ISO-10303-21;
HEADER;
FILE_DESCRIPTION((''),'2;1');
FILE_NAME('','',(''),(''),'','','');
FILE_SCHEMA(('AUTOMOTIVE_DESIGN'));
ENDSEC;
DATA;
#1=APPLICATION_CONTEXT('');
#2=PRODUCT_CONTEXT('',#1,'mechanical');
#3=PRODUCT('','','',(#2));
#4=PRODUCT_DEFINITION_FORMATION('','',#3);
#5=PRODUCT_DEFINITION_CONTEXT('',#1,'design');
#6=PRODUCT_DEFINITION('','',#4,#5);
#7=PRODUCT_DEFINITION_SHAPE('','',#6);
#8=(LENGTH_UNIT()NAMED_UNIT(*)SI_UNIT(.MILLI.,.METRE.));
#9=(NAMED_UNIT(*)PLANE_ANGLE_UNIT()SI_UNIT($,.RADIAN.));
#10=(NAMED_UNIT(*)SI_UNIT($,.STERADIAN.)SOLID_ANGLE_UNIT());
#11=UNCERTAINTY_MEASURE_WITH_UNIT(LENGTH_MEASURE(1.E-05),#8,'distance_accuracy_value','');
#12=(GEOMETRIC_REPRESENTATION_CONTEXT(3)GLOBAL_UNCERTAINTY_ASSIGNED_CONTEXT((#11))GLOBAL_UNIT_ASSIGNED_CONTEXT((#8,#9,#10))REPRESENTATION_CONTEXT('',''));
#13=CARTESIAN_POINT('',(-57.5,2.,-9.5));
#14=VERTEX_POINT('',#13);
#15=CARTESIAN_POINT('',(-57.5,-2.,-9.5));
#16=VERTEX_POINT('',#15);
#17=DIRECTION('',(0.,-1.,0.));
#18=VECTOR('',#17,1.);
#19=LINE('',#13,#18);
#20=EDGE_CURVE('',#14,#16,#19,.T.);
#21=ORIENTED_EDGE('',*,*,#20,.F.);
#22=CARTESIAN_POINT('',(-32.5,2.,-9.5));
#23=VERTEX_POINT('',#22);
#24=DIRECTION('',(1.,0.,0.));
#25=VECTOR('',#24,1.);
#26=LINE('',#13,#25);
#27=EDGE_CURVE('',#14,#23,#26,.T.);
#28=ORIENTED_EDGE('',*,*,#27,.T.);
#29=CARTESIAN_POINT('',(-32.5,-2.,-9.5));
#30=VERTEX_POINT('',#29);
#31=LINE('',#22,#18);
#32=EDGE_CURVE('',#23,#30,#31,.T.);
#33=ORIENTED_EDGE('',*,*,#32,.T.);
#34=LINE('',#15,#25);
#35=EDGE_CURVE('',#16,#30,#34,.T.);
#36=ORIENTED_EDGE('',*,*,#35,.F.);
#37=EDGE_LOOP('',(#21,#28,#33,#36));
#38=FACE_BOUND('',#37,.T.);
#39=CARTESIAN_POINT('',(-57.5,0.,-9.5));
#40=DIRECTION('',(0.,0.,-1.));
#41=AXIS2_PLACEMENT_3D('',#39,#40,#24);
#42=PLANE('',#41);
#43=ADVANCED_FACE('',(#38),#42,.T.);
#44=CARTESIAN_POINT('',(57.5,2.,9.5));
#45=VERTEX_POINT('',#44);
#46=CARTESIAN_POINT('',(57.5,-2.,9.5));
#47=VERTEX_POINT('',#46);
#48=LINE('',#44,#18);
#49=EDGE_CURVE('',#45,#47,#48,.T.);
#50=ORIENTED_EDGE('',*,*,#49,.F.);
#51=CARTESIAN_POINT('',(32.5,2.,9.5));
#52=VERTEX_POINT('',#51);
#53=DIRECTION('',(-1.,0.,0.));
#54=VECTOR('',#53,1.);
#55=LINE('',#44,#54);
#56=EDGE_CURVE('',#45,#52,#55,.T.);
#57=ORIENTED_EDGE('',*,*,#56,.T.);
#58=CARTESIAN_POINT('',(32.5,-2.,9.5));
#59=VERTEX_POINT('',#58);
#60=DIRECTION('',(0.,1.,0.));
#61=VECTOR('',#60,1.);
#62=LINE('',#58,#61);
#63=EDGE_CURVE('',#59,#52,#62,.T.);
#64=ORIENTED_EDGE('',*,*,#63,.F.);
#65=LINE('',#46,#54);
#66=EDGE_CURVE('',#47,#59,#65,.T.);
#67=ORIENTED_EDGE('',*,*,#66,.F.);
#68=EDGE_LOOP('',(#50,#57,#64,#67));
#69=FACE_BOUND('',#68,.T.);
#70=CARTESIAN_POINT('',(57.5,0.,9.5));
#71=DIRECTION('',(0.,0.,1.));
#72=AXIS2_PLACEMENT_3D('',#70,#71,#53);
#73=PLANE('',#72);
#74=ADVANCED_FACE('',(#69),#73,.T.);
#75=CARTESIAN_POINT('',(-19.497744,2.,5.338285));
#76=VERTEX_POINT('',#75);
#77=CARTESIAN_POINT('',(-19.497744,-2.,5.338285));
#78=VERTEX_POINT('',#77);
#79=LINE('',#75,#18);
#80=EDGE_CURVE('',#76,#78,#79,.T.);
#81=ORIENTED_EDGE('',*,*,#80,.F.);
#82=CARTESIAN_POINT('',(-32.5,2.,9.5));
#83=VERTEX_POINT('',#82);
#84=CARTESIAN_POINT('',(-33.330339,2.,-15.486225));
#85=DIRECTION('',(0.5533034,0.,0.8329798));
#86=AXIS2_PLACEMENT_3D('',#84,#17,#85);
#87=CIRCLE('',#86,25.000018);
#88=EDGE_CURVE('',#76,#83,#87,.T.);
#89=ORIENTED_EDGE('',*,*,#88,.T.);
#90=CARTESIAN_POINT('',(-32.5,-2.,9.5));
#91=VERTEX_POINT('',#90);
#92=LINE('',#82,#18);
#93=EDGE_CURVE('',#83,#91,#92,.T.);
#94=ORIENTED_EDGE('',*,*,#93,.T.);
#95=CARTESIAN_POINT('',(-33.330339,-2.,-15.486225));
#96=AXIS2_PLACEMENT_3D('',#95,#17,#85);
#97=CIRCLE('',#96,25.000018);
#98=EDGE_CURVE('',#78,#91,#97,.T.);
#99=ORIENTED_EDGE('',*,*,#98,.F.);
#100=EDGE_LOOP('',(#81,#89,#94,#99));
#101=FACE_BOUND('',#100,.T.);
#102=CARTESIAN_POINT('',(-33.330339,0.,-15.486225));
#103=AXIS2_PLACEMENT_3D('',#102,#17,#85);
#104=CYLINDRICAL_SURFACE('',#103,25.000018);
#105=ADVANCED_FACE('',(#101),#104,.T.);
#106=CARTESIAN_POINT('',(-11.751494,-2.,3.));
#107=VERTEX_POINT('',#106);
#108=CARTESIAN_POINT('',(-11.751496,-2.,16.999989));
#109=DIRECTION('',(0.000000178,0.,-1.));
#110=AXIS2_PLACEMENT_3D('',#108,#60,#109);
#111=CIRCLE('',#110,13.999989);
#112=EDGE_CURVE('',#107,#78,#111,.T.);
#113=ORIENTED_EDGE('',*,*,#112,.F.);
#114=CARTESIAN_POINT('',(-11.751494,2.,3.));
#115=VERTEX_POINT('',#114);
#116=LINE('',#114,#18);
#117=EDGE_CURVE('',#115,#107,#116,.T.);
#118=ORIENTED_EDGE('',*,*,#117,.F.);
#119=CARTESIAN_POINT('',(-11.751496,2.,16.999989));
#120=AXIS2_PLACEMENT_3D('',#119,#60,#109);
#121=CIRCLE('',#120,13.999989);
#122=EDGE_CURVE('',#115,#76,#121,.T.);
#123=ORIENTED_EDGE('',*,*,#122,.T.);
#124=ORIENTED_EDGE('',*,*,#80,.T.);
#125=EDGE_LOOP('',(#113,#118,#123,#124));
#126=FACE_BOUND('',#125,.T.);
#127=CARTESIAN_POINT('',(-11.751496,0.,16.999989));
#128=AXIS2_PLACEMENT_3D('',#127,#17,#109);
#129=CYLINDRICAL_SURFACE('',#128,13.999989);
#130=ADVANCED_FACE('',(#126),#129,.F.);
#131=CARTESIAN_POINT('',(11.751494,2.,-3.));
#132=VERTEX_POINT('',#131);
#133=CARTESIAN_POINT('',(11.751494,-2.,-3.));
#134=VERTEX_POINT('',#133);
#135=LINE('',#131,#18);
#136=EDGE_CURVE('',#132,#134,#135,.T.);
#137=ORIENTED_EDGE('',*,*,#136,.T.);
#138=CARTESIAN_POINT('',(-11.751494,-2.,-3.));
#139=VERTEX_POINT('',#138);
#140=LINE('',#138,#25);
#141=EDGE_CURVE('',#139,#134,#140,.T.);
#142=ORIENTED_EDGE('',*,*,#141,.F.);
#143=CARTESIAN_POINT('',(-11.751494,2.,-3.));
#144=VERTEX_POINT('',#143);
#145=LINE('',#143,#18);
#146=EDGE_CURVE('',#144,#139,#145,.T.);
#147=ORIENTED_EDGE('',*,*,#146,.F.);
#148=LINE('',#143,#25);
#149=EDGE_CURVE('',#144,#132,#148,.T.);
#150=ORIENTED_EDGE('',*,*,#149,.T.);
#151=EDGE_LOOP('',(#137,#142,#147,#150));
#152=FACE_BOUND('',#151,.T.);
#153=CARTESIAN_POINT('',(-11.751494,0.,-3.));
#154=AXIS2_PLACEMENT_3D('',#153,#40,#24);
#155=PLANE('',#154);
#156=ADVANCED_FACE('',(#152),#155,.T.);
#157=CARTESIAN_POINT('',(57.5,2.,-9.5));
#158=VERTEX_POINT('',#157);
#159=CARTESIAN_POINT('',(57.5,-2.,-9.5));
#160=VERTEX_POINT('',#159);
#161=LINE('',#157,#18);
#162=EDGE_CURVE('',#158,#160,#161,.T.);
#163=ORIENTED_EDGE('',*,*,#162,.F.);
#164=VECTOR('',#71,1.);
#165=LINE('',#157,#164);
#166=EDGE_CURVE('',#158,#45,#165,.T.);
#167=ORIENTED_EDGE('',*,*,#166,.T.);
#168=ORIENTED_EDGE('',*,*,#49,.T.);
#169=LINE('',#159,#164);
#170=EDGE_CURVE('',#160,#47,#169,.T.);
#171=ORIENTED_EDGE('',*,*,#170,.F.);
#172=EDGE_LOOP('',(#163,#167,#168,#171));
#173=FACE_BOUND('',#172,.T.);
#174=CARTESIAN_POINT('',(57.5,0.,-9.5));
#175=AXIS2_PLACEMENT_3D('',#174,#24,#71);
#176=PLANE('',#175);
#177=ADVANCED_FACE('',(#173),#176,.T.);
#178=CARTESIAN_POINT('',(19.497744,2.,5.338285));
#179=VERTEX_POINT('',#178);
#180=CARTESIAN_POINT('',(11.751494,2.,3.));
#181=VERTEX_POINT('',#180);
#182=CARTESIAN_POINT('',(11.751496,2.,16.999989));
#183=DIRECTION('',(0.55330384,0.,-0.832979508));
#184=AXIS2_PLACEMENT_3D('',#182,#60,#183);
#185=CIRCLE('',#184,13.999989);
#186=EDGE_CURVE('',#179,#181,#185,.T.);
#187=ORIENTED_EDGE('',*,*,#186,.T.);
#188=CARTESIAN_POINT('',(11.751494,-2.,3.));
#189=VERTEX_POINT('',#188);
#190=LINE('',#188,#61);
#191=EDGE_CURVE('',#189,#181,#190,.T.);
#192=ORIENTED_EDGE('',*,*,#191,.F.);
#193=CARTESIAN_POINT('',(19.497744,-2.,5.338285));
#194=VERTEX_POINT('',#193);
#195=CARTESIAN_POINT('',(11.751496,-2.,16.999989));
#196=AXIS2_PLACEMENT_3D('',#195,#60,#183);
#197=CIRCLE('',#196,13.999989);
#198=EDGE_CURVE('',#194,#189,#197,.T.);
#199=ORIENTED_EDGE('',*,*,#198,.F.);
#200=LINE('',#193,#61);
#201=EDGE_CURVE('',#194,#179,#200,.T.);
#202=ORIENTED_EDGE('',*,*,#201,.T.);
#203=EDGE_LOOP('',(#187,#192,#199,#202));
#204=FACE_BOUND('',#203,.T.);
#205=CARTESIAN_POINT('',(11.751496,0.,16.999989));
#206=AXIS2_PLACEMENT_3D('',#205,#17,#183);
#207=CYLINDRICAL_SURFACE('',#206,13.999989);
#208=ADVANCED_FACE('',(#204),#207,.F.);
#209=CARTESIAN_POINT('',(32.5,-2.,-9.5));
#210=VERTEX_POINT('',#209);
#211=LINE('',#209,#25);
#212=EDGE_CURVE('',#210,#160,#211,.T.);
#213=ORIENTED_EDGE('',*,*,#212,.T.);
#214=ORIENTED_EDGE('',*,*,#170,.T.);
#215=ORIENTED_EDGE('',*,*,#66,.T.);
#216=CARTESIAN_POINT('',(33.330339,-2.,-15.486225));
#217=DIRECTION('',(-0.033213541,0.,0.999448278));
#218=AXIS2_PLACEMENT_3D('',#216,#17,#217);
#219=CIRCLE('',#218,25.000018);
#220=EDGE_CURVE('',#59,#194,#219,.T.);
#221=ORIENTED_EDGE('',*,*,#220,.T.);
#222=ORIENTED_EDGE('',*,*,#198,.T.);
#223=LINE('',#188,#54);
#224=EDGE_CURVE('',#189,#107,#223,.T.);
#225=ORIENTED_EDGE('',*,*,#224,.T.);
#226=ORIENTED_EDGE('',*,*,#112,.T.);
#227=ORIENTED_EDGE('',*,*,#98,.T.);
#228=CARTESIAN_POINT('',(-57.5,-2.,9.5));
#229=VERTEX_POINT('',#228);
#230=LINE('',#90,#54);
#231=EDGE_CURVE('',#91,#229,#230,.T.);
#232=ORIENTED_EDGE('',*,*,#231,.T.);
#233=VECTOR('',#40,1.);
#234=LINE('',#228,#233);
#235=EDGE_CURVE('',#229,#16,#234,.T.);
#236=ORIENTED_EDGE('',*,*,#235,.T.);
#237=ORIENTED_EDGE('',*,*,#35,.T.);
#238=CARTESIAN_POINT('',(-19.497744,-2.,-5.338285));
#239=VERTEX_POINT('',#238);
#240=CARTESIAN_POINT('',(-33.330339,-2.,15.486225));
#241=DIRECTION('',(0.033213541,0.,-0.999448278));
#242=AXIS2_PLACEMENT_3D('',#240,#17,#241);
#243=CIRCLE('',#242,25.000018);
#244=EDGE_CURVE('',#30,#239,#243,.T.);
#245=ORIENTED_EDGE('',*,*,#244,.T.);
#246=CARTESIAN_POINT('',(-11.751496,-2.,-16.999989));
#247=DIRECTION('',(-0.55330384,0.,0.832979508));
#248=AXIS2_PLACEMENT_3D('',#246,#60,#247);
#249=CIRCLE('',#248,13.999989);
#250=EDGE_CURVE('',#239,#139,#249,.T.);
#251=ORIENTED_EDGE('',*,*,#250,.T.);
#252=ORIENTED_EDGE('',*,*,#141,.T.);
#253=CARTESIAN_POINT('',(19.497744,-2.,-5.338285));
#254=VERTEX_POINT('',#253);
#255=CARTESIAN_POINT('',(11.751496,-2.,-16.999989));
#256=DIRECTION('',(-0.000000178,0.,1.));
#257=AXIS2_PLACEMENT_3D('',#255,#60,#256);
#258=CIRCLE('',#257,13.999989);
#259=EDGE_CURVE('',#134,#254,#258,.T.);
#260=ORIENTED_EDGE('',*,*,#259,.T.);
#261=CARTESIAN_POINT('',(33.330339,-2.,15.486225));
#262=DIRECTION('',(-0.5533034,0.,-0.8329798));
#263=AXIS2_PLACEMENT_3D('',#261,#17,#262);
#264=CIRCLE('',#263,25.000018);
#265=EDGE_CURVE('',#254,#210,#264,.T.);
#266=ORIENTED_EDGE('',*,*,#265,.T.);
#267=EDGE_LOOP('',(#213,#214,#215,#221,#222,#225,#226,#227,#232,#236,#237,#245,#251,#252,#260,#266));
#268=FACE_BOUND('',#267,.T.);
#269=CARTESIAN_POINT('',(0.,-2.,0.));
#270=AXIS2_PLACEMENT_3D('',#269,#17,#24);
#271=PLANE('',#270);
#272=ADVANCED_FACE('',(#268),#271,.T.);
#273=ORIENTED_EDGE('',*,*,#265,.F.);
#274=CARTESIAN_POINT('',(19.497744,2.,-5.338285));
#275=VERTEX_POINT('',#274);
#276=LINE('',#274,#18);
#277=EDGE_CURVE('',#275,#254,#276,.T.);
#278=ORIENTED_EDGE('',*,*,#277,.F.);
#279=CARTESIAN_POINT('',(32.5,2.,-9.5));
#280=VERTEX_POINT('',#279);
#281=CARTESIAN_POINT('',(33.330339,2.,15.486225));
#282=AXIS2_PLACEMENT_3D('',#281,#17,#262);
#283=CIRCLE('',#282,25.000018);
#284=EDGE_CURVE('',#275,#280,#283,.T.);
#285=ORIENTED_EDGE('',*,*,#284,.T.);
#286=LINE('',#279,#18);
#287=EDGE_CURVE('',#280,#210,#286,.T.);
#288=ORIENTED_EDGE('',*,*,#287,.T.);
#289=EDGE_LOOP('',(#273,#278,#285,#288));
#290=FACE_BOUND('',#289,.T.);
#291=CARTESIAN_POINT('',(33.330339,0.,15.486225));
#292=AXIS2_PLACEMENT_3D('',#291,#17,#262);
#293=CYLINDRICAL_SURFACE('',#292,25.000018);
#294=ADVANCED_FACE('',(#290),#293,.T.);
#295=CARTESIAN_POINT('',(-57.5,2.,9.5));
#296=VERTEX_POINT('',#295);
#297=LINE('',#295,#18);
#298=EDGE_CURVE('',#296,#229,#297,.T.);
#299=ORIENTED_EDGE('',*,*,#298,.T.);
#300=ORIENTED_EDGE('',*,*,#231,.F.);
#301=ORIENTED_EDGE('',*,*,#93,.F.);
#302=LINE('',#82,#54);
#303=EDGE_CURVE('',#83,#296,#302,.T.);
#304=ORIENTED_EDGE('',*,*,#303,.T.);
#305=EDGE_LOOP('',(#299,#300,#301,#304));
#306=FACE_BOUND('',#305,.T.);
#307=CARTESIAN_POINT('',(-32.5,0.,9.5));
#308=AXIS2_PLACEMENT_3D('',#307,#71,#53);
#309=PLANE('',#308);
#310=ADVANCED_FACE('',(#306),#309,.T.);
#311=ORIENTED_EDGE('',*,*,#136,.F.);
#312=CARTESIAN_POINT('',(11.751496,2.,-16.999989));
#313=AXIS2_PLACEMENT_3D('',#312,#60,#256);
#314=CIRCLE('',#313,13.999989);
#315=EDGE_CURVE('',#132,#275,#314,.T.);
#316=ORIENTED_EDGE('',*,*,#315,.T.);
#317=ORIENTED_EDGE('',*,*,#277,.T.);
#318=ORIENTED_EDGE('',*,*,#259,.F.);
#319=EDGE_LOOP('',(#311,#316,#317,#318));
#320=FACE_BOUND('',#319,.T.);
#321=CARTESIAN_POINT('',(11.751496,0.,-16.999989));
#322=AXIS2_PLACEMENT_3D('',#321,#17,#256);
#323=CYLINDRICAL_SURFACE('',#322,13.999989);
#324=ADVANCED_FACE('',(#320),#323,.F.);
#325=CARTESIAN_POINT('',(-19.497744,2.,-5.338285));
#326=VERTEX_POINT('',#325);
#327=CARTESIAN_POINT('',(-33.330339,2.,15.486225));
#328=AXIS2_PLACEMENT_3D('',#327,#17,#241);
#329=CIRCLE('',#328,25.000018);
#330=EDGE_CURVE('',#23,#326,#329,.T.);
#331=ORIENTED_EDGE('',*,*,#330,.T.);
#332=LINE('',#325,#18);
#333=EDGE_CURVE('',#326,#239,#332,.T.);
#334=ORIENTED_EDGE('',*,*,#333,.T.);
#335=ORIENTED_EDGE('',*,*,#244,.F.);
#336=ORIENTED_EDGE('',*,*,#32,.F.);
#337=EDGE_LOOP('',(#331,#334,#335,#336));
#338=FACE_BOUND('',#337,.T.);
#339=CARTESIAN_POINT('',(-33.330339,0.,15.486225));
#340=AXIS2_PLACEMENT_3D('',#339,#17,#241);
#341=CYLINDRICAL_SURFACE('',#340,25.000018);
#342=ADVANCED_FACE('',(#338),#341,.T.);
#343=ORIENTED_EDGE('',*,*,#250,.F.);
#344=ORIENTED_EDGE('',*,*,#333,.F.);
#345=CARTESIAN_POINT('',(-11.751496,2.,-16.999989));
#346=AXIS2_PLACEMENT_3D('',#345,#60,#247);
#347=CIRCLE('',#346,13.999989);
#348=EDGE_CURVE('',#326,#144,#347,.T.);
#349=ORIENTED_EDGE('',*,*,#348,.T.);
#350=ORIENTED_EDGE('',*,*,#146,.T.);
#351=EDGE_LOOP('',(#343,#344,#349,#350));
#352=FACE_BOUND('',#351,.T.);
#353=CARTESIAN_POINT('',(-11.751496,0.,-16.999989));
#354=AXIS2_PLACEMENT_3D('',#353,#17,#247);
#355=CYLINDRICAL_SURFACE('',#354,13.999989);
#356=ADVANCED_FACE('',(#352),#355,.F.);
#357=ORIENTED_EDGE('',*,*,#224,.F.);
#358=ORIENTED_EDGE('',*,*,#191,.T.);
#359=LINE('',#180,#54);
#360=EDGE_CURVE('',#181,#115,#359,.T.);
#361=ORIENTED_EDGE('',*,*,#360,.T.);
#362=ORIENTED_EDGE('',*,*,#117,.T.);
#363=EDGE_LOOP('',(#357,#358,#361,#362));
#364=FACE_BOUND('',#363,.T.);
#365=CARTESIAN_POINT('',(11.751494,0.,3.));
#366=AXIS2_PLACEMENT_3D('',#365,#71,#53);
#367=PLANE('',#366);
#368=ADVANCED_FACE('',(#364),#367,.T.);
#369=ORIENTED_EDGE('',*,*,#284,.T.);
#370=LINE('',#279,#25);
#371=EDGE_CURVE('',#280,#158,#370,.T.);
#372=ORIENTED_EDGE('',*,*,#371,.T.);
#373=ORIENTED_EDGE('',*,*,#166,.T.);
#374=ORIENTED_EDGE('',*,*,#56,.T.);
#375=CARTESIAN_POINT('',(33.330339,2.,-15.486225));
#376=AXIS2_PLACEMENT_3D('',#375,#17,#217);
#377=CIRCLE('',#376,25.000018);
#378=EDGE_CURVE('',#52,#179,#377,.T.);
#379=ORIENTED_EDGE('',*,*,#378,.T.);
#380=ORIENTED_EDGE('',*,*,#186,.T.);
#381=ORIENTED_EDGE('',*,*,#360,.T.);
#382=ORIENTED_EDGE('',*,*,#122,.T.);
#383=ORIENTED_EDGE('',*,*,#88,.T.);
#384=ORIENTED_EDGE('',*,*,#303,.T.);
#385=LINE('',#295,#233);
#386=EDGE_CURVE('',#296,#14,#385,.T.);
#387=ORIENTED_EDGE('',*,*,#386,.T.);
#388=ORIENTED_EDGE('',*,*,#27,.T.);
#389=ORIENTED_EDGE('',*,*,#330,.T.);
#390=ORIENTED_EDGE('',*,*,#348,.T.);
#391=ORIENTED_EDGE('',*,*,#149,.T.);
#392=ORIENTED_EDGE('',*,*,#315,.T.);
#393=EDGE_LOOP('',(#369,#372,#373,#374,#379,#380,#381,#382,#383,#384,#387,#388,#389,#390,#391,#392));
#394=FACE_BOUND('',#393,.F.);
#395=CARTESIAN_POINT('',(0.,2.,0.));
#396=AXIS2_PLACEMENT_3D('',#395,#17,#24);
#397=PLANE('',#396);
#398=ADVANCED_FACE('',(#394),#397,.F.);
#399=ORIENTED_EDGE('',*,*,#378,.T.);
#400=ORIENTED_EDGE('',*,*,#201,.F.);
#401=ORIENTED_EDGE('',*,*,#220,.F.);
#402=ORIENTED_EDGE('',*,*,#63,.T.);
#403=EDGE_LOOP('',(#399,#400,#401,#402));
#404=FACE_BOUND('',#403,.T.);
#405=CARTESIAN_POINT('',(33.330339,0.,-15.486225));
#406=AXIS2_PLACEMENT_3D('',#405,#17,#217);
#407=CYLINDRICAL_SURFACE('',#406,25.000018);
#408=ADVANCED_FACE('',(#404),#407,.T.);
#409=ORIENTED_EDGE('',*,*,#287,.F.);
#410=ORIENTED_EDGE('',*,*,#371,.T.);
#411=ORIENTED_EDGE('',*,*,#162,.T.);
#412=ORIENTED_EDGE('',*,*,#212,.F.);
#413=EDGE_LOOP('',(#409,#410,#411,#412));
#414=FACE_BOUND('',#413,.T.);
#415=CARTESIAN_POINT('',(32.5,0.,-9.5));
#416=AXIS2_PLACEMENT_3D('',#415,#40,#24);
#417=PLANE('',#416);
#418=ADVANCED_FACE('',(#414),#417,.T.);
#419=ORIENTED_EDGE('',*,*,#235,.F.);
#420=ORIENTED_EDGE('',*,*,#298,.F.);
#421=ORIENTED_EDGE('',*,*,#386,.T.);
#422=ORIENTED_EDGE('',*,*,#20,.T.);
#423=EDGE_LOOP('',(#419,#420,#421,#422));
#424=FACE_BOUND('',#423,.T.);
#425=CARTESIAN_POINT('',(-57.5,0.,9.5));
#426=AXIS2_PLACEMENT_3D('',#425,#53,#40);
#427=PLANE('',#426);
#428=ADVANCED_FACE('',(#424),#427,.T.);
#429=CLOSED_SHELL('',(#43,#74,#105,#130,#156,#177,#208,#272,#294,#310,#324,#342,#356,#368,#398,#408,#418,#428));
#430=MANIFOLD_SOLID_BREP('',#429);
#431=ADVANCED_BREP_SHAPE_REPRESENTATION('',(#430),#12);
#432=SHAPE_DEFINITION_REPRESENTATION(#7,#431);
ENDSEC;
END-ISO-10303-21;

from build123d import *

# Parameters (mm, degrees)
F1_DEPTH = 2


with BuildPart() as f1:
    # F0 (on Front) → F1 (new body, symmetric)
    with BuildSketch(Plane.XZ):
        with BuildLine():
            Line((11.751494, 3), (0, 3))
            Line((0, 3), (-11.751494, 3))
            ThreePointArc((-11.751494, 3), (-15.797231, 3.597313), (-19.497744, 5.338285))
            ThreePointArc((-19.497744, 5.338285), (-25.709291, 8.323868), (-32.5, 9.5))
            Line((-32.5, 9.5), (-57.5, 9.5))
            Line((-57.5, 9.5), (-57.5, -9.5))
            Line((-57.5, -9.5), (-32.5, -9.5))
            ThreePointArc((-32.5, -9.5), (-25.709291, -8.323868), (-19.497744, -5.338285))
            ThreePointArc((-19.497744, -5.338285), (-15.797231, -3.597313), (-11.751494, -3))
            Line((-11.751494, -3), (0, -3))
            Line((0, -3), (11.751494, -3))
            ThreePointArc((11.751494, -3), (15.797231, -3.597313), (19.497744, -5.338285))
            ThreePointArc((19.497744, -5.338285), (25.709291, -8.323868), (32.5, -9.5))
            Line((32.5, -9.5), (57.5, -9.5))
            Line((57.5, -9.5), (57.5, 9.5))
            Line((57.5, 9.5), (32.5, 9.5))
            ThreePointArc((32.5, 9.5), (25.709291, 8.323868), (19.497744, 5.338285))
            ThreePointArc((19.497744, 5.338285), (15.797231, 3.597313), (11.751494, 3))
        make_face()
    extrude(amount=F1_DEPTH, both=True)


solid = f1.part
